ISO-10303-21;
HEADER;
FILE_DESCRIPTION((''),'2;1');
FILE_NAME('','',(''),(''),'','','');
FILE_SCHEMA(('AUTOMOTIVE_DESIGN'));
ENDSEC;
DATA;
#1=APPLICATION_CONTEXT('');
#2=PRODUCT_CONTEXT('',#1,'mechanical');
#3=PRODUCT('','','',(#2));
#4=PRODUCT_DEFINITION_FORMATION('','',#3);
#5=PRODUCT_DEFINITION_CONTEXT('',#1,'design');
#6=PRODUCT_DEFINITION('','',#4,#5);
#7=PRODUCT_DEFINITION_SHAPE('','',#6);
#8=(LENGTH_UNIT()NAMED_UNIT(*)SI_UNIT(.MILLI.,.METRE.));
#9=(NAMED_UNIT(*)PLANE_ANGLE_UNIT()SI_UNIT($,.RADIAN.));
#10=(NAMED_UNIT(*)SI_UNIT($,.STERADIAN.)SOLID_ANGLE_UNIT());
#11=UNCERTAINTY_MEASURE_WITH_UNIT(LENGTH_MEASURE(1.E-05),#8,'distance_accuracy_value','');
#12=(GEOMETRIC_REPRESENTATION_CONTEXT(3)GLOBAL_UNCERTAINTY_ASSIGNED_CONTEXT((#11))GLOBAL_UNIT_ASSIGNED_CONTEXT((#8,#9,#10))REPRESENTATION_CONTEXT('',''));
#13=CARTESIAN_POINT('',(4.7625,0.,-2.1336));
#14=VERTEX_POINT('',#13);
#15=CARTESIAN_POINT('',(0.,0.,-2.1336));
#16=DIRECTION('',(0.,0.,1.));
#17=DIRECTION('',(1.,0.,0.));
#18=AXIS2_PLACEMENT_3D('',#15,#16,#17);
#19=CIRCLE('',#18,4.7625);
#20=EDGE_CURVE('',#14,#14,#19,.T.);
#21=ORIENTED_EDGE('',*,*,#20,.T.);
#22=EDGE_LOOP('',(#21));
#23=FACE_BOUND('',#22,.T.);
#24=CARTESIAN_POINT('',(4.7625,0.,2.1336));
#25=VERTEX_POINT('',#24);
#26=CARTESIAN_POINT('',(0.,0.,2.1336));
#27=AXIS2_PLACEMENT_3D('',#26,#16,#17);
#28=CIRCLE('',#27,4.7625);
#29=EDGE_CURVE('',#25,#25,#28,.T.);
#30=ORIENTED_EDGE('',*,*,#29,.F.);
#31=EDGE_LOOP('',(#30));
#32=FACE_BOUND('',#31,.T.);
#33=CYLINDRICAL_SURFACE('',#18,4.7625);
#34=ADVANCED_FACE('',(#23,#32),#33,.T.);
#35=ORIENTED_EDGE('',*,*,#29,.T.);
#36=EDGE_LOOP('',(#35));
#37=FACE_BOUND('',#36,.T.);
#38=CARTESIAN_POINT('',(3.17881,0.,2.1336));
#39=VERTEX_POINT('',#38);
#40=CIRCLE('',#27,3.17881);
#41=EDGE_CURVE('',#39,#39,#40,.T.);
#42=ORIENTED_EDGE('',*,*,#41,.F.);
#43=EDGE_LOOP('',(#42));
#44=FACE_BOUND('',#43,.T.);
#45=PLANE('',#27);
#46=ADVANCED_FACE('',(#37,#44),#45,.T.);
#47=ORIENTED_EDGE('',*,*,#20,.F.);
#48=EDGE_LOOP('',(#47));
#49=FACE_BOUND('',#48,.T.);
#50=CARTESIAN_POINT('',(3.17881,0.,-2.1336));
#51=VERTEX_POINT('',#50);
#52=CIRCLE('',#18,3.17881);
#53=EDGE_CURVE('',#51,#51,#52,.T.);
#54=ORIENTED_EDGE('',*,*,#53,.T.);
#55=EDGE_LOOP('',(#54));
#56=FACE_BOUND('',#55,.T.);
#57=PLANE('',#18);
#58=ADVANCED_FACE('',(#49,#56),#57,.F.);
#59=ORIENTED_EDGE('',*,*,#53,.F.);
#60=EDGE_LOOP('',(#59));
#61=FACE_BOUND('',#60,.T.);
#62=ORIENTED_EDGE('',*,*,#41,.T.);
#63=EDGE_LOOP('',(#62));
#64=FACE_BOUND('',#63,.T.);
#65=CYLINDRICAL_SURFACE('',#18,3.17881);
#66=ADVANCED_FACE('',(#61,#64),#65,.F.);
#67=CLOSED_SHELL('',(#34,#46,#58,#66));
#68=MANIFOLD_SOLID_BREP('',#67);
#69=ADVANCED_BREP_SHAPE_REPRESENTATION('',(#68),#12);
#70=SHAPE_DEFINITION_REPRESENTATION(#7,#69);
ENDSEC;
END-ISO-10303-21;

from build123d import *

# Parameters (mm, degrees)
SKETCH3_R                = 4.7625
SKETCH3_R_2              = 3.17881
BOSS_EXTRUDE1_DEPTH      = 2.1336
BOSS_EXTRUDE1_DEPTH_BACK = 2.1336


with BuildPart() as part:
    # Sketch3 → Boss-Extrude1 (new body, two sides)
    with BuildSketch(Plane.XY) as boss_extrude1_sk:
        Circle(SKETCH3_R)
        Circle(SKETCH3_R_2, mode=Mode.SUBTRACT)
    extrude(amount=BOSS_EXTRUDE1_DEPTH)
    extrude(boss_extrude1_sk.sketch, amount=-BOSS_EXTRUDE1_DEPTH_BACK)


solid = part.part
